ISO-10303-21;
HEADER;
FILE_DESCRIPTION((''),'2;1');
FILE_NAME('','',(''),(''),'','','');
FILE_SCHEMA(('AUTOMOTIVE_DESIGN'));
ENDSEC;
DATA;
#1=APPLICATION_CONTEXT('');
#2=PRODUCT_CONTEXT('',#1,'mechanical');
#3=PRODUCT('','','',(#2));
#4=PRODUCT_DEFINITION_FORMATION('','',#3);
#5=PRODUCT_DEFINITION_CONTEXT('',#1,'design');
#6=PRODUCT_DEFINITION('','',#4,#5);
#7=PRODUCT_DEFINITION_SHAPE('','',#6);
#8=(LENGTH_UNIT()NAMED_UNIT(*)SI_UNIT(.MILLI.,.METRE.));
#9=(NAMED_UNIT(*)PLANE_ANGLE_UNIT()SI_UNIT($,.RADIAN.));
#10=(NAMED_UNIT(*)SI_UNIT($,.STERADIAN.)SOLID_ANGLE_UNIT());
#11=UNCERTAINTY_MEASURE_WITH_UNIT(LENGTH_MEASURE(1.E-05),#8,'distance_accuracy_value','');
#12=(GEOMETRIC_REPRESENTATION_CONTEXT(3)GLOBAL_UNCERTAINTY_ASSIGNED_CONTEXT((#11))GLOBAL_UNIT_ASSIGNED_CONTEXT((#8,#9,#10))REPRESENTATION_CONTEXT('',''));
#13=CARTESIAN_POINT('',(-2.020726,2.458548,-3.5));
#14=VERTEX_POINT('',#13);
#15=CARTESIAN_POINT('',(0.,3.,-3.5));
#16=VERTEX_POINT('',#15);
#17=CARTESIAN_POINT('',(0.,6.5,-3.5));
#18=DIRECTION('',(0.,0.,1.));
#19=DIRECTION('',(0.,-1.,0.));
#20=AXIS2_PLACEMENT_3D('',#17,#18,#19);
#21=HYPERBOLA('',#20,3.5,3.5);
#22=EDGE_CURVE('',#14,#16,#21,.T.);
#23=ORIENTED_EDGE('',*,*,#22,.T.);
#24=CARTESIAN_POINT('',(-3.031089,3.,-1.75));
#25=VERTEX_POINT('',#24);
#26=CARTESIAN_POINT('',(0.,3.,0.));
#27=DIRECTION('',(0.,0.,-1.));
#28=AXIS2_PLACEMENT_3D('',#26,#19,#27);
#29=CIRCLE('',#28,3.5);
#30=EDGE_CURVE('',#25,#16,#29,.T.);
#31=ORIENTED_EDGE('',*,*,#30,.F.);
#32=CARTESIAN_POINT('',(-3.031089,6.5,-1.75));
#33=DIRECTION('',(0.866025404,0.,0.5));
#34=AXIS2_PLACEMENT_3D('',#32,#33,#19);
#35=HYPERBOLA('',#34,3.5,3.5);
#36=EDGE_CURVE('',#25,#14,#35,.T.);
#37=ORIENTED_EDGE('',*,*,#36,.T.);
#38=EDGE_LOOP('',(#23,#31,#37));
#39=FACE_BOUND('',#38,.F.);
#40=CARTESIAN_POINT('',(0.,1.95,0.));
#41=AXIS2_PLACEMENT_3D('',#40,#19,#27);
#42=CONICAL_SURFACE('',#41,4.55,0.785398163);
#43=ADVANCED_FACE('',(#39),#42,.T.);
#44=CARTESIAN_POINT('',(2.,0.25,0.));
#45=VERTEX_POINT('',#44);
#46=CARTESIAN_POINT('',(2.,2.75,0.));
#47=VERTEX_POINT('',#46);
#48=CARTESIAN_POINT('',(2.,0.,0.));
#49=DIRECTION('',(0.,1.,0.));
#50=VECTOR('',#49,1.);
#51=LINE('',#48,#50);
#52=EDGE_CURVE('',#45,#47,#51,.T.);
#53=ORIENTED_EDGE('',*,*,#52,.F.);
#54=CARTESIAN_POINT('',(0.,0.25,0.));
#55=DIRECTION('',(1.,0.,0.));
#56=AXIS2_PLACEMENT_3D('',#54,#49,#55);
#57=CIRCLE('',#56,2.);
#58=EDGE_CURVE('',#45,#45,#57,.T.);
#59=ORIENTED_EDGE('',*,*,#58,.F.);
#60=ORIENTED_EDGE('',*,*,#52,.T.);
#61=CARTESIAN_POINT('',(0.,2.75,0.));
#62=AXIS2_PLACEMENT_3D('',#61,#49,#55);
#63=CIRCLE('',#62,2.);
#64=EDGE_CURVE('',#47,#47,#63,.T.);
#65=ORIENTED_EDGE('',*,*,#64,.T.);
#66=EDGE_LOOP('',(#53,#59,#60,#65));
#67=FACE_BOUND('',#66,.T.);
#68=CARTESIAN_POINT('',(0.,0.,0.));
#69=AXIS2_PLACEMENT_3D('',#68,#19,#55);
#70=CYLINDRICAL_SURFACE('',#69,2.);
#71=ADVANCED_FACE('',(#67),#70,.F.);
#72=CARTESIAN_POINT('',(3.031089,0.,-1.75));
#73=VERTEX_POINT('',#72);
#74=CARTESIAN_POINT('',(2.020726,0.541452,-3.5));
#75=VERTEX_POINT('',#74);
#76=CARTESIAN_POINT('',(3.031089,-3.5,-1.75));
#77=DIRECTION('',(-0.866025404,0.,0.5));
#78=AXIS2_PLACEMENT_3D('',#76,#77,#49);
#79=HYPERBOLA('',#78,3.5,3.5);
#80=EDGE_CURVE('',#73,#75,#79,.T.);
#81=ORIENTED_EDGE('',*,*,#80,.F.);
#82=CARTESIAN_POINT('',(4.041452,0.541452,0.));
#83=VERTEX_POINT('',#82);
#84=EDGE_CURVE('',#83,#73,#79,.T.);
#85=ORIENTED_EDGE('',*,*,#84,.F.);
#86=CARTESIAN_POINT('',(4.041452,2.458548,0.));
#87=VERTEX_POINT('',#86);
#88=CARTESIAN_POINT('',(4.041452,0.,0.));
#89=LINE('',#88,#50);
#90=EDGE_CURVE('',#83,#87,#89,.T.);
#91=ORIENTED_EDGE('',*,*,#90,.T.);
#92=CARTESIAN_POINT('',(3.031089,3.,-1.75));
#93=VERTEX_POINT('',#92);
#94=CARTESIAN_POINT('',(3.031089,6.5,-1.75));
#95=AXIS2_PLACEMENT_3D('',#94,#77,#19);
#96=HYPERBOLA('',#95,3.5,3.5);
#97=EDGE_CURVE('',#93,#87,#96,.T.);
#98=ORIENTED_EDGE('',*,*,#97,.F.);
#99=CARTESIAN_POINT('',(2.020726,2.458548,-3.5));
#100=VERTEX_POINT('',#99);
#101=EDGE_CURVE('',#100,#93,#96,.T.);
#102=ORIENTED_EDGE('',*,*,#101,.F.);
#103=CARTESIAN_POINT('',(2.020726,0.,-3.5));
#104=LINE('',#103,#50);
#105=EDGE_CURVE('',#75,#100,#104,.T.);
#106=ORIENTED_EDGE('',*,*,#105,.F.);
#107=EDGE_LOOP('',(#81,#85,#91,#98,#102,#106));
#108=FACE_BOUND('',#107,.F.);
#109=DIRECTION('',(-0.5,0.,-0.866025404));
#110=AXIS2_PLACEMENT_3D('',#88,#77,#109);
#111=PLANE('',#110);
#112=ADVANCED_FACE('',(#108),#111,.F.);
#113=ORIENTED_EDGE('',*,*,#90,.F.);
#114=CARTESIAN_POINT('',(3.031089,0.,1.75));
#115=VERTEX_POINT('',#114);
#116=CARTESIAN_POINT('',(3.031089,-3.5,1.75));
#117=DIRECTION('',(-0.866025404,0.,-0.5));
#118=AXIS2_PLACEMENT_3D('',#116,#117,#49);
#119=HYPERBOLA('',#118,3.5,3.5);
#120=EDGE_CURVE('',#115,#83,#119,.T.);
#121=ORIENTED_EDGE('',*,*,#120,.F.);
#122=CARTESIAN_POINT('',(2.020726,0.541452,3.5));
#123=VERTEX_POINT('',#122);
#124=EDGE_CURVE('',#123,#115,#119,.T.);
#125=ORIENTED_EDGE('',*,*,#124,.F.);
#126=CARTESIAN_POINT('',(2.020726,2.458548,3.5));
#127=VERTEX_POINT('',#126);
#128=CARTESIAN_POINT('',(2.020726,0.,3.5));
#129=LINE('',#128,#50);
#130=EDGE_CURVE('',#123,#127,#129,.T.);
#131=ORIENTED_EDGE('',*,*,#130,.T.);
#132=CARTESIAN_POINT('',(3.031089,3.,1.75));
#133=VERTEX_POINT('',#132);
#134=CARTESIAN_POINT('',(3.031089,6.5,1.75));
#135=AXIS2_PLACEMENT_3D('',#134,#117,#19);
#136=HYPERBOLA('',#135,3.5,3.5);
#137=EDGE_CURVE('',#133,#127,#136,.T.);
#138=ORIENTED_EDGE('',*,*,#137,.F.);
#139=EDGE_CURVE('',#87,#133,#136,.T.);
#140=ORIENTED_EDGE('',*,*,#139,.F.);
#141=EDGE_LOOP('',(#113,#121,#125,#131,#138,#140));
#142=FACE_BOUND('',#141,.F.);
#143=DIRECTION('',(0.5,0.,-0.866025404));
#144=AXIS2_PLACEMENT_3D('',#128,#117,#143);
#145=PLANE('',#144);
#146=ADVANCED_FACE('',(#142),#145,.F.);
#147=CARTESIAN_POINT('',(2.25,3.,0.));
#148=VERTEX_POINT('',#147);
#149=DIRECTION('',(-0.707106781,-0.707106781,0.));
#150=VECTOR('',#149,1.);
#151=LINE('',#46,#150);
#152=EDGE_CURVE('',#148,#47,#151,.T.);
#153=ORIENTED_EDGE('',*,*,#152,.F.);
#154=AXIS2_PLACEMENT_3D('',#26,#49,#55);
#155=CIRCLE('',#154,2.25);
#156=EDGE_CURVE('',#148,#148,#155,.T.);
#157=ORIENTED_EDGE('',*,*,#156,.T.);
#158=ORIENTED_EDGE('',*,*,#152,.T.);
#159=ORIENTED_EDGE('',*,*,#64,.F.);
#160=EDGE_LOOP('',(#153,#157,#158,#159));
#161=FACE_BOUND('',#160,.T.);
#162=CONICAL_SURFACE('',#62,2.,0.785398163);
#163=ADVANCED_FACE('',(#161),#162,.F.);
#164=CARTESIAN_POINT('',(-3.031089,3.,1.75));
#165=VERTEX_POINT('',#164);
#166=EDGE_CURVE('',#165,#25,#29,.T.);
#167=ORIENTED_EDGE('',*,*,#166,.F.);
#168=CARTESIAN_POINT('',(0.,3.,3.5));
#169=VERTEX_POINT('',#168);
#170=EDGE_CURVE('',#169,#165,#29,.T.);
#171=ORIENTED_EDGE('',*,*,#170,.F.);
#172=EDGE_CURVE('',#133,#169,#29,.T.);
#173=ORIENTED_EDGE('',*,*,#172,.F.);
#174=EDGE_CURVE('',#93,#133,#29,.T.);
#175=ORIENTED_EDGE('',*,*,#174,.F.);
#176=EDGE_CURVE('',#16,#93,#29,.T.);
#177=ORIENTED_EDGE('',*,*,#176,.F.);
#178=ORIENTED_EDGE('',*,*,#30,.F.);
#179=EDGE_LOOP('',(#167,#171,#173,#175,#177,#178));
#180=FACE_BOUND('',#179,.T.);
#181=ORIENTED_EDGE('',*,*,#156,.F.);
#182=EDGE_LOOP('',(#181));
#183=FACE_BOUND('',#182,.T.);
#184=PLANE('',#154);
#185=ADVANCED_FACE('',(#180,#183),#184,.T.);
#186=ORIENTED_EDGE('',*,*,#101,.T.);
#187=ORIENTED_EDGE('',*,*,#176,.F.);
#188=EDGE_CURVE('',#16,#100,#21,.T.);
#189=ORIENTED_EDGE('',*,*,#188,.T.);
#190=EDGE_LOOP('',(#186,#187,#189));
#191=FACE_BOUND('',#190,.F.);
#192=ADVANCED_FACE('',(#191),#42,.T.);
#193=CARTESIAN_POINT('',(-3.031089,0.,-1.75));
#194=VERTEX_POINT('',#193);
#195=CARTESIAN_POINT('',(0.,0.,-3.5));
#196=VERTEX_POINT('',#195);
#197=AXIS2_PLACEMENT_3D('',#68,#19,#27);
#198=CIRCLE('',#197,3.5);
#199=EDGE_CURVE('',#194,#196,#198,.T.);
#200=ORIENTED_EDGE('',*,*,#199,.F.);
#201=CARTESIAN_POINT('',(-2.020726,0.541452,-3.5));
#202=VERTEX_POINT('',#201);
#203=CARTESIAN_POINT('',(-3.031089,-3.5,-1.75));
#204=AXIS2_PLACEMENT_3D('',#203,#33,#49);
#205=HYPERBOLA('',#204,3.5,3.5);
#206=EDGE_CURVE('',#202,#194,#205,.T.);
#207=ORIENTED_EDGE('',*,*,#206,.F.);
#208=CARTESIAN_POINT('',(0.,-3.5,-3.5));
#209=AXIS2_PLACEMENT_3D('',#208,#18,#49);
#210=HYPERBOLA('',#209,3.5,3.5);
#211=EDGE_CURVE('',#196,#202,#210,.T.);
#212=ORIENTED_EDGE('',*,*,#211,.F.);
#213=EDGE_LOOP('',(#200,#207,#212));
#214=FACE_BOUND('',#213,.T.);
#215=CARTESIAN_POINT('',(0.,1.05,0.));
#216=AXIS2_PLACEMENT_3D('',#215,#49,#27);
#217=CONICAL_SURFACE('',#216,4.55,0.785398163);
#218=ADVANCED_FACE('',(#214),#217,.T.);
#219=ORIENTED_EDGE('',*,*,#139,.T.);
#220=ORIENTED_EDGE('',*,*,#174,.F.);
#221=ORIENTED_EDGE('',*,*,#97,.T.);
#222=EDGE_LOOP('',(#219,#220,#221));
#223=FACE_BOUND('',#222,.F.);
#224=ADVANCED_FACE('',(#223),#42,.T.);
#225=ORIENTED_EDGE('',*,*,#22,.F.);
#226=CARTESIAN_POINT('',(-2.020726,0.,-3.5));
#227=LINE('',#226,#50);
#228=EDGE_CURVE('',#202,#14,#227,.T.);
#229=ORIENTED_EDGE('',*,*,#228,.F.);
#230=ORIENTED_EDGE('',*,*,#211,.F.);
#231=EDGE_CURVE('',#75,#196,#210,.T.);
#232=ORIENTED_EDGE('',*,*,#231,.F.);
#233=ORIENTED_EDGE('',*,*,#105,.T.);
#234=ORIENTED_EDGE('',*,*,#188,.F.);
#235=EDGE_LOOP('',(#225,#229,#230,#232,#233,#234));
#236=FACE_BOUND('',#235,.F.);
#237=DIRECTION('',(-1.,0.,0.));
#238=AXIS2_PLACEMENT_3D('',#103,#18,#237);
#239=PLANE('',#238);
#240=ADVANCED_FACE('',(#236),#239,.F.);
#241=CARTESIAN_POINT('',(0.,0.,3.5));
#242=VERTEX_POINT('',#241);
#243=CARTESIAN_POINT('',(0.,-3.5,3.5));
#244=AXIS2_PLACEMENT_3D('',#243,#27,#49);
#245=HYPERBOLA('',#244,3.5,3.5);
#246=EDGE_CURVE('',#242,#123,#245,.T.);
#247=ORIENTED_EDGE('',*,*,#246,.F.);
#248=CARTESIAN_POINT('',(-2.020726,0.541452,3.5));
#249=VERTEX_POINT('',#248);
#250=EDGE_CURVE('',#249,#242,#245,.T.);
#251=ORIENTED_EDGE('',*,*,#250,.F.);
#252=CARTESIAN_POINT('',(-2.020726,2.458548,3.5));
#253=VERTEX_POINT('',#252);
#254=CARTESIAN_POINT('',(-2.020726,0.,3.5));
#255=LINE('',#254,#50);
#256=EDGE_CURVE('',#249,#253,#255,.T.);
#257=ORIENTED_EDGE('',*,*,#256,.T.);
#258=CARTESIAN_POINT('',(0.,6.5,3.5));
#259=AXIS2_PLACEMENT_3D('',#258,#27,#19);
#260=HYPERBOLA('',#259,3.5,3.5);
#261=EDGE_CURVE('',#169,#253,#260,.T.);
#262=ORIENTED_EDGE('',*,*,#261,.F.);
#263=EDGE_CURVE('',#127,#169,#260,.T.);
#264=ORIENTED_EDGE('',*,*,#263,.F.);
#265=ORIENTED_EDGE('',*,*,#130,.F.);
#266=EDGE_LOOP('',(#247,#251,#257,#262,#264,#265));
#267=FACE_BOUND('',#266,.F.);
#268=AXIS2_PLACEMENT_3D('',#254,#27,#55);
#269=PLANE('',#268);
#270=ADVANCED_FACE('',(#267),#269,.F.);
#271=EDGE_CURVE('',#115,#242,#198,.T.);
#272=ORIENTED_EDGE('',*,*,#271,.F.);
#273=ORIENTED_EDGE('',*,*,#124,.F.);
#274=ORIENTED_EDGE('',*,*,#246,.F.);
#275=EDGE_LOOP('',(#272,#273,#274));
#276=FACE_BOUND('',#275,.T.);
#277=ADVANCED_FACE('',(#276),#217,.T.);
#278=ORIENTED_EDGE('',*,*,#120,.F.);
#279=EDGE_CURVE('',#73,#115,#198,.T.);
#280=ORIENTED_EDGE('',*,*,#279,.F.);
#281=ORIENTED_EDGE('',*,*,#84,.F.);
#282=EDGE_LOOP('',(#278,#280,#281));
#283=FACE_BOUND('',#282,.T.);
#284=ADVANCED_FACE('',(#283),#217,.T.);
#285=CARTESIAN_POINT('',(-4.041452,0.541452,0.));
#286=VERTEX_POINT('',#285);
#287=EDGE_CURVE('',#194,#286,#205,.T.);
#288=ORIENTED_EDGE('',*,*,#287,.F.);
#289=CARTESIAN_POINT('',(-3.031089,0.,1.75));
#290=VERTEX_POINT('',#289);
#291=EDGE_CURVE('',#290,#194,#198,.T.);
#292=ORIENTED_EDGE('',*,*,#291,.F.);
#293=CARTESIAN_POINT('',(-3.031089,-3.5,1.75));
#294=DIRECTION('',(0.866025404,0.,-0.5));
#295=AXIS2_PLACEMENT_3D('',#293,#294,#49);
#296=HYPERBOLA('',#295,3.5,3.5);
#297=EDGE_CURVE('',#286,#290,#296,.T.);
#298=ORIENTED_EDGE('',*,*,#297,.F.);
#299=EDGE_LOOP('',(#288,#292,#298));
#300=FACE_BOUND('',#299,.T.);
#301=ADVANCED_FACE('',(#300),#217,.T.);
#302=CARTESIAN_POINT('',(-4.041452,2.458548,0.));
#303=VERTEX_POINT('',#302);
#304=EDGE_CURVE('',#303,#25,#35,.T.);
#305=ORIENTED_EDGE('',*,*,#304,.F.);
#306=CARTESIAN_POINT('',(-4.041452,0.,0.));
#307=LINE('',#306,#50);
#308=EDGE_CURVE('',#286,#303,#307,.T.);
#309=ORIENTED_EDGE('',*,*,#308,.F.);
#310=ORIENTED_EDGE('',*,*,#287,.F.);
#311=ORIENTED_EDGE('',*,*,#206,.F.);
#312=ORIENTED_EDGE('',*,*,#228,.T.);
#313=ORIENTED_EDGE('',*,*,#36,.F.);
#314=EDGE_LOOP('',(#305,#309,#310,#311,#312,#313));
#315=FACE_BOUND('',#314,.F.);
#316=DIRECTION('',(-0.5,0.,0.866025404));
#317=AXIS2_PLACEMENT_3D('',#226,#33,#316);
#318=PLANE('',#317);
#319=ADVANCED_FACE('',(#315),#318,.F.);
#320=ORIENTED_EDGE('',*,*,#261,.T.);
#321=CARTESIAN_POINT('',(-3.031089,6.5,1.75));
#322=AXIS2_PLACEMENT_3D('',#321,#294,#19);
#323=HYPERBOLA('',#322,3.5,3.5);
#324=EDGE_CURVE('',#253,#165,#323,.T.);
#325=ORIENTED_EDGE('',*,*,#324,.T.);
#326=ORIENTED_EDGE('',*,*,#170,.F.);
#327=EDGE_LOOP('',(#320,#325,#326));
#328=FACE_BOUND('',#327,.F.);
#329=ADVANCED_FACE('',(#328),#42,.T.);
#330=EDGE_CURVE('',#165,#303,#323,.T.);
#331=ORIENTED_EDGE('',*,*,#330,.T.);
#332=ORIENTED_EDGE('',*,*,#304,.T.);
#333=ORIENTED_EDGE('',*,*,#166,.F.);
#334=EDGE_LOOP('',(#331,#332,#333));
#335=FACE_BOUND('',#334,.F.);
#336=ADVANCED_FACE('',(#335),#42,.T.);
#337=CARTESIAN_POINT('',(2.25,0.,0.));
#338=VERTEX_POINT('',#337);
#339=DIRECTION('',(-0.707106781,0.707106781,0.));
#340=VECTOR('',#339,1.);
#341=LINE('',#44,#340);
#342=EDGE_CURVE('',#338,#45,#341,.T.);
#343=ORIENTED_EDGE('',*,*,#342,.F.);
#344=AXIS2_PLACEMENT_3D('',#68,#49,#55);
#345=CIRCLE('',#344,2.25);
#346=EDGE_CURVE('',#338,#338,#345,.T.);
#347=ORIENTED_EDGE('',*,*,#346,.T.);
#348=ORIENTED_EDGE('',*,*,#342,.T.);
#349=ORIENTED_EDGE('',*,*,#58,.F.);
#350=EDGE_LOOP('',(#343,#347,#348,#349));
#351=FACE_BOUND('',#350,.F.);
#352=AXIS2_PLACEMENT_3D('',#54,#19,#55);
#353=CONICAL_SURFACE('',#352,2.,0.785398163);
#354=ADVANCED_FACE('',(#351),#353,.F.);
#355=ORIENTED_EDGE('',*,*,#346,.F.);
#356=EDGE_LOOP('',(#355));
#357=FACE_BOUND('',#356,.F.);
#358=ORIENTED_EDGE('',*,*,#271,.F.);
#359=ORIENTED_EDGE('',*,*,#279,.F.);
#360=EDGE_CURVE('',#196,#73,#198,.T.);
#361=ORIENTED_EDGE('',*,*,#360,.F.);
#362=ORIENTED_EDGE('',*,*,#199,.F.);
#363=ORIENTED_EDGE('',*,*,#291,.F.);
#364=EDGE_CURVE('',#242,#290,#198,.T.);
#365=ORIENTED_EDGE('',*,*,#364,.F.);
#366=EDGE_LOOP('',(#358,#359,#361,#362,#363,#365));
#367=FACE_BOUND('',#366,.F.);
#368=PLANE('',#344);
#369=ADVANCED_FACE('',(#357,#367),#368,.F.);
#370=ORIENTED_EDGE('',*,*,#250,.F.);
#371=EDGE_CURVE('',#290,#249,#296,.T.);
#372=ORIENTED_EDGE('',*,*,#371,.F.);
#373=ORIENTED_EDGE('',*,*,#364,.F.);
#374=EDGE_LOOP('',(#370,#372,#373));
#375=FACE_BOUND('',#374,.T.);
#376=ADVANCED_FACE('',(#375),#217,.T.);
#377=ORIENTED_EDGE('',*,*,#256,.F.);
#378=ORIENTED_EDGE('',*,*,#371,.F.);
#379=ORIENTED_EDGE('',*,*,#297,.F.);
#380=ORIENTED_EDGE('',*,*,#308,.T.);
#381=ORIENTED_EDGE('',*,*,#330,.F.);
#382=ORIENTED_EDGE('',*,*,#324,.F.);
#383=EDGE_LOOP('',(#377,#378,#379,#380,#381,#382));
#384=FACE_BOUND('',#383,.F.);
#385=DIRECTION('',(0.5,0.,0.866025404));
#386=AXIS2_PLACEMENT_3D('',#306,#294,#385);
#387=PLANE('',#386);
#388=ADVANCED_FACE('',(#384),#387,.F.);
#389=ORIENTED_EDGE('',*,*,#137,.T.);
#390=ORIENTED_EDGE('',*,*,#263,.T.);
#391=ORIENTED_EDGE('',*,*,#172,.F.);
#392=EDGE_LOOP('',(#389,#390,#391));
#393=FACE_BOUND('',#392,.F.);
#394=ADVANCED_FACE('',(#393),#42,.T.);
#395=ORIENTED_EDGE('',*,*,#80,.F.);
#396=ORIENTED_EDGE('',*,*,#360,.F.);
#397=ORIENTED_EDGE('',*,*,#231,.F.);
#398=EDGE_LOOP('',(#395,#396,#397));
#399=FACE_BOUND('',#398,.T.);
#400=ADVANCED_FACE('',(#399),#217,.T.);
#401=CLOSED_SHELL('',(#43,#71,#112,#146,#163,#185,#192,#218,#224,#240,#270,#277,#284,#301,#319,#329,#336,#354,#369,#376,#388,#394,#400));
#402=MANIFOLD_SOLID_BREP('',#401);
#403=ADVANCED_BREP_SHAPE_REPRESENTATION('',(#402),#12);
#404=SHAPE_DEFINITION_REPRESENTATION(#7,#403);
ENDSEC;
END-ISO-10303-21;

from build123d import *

# Parameters (mm, degrees)
SKETCH1_R           = 2
BOSS_EXTRUDE1_DEPTH = 3
CHAMFER2_SIZE       = 0.25


with BuildPart() as part:
    # Sketch1 → Boss-Extrude1 (new body)
    with BuildSketch(Plane(origin=(0, 0, 0), x_dir=(1, 0, 0), z_dir=(0, 1, 0))):
        Polygon((-2.020725942, -3.5), (2.020725942, -3.5), (4.041451884, 0), (2.020725942, 3.5), (-2.020725942, 3.5), (-4.041451884, 0), align=None)
        Circle(SKETCH1_R, mode=Mode.SUBTRACT)
    extrude(amount=BOSS_EXTRUDE1_DEPTH)

    # Sketch2 → Cut-Revolve1 (revolve, cut)
    with BuildSketch(Plane(origin=(0, 0, 0), x_dir=(0, 0, -1), z_dir=(1, 0, 0))):
        Polygon((3.5, 3), (4.55, 4.05), (4.55, 1.95), align=None)
        Polygon((4.55, 1.05), (3.5, 0), (4.55, -1.05), align=None)
    revolve(axis=Axis((0, 3, 0), (0, -1, 0)), mode=Mode.SUBTRACT)

    # Chamfer2
    chamfer2_edges = [part.edges().sort_by_distance(p)[0] for p in [
        (-2, 0, 0),
        (-2, 3, 0),
    ]]
    chamfer(chamfer2_edges, length=CHAMFER2_SIZE)


solid = part.part
